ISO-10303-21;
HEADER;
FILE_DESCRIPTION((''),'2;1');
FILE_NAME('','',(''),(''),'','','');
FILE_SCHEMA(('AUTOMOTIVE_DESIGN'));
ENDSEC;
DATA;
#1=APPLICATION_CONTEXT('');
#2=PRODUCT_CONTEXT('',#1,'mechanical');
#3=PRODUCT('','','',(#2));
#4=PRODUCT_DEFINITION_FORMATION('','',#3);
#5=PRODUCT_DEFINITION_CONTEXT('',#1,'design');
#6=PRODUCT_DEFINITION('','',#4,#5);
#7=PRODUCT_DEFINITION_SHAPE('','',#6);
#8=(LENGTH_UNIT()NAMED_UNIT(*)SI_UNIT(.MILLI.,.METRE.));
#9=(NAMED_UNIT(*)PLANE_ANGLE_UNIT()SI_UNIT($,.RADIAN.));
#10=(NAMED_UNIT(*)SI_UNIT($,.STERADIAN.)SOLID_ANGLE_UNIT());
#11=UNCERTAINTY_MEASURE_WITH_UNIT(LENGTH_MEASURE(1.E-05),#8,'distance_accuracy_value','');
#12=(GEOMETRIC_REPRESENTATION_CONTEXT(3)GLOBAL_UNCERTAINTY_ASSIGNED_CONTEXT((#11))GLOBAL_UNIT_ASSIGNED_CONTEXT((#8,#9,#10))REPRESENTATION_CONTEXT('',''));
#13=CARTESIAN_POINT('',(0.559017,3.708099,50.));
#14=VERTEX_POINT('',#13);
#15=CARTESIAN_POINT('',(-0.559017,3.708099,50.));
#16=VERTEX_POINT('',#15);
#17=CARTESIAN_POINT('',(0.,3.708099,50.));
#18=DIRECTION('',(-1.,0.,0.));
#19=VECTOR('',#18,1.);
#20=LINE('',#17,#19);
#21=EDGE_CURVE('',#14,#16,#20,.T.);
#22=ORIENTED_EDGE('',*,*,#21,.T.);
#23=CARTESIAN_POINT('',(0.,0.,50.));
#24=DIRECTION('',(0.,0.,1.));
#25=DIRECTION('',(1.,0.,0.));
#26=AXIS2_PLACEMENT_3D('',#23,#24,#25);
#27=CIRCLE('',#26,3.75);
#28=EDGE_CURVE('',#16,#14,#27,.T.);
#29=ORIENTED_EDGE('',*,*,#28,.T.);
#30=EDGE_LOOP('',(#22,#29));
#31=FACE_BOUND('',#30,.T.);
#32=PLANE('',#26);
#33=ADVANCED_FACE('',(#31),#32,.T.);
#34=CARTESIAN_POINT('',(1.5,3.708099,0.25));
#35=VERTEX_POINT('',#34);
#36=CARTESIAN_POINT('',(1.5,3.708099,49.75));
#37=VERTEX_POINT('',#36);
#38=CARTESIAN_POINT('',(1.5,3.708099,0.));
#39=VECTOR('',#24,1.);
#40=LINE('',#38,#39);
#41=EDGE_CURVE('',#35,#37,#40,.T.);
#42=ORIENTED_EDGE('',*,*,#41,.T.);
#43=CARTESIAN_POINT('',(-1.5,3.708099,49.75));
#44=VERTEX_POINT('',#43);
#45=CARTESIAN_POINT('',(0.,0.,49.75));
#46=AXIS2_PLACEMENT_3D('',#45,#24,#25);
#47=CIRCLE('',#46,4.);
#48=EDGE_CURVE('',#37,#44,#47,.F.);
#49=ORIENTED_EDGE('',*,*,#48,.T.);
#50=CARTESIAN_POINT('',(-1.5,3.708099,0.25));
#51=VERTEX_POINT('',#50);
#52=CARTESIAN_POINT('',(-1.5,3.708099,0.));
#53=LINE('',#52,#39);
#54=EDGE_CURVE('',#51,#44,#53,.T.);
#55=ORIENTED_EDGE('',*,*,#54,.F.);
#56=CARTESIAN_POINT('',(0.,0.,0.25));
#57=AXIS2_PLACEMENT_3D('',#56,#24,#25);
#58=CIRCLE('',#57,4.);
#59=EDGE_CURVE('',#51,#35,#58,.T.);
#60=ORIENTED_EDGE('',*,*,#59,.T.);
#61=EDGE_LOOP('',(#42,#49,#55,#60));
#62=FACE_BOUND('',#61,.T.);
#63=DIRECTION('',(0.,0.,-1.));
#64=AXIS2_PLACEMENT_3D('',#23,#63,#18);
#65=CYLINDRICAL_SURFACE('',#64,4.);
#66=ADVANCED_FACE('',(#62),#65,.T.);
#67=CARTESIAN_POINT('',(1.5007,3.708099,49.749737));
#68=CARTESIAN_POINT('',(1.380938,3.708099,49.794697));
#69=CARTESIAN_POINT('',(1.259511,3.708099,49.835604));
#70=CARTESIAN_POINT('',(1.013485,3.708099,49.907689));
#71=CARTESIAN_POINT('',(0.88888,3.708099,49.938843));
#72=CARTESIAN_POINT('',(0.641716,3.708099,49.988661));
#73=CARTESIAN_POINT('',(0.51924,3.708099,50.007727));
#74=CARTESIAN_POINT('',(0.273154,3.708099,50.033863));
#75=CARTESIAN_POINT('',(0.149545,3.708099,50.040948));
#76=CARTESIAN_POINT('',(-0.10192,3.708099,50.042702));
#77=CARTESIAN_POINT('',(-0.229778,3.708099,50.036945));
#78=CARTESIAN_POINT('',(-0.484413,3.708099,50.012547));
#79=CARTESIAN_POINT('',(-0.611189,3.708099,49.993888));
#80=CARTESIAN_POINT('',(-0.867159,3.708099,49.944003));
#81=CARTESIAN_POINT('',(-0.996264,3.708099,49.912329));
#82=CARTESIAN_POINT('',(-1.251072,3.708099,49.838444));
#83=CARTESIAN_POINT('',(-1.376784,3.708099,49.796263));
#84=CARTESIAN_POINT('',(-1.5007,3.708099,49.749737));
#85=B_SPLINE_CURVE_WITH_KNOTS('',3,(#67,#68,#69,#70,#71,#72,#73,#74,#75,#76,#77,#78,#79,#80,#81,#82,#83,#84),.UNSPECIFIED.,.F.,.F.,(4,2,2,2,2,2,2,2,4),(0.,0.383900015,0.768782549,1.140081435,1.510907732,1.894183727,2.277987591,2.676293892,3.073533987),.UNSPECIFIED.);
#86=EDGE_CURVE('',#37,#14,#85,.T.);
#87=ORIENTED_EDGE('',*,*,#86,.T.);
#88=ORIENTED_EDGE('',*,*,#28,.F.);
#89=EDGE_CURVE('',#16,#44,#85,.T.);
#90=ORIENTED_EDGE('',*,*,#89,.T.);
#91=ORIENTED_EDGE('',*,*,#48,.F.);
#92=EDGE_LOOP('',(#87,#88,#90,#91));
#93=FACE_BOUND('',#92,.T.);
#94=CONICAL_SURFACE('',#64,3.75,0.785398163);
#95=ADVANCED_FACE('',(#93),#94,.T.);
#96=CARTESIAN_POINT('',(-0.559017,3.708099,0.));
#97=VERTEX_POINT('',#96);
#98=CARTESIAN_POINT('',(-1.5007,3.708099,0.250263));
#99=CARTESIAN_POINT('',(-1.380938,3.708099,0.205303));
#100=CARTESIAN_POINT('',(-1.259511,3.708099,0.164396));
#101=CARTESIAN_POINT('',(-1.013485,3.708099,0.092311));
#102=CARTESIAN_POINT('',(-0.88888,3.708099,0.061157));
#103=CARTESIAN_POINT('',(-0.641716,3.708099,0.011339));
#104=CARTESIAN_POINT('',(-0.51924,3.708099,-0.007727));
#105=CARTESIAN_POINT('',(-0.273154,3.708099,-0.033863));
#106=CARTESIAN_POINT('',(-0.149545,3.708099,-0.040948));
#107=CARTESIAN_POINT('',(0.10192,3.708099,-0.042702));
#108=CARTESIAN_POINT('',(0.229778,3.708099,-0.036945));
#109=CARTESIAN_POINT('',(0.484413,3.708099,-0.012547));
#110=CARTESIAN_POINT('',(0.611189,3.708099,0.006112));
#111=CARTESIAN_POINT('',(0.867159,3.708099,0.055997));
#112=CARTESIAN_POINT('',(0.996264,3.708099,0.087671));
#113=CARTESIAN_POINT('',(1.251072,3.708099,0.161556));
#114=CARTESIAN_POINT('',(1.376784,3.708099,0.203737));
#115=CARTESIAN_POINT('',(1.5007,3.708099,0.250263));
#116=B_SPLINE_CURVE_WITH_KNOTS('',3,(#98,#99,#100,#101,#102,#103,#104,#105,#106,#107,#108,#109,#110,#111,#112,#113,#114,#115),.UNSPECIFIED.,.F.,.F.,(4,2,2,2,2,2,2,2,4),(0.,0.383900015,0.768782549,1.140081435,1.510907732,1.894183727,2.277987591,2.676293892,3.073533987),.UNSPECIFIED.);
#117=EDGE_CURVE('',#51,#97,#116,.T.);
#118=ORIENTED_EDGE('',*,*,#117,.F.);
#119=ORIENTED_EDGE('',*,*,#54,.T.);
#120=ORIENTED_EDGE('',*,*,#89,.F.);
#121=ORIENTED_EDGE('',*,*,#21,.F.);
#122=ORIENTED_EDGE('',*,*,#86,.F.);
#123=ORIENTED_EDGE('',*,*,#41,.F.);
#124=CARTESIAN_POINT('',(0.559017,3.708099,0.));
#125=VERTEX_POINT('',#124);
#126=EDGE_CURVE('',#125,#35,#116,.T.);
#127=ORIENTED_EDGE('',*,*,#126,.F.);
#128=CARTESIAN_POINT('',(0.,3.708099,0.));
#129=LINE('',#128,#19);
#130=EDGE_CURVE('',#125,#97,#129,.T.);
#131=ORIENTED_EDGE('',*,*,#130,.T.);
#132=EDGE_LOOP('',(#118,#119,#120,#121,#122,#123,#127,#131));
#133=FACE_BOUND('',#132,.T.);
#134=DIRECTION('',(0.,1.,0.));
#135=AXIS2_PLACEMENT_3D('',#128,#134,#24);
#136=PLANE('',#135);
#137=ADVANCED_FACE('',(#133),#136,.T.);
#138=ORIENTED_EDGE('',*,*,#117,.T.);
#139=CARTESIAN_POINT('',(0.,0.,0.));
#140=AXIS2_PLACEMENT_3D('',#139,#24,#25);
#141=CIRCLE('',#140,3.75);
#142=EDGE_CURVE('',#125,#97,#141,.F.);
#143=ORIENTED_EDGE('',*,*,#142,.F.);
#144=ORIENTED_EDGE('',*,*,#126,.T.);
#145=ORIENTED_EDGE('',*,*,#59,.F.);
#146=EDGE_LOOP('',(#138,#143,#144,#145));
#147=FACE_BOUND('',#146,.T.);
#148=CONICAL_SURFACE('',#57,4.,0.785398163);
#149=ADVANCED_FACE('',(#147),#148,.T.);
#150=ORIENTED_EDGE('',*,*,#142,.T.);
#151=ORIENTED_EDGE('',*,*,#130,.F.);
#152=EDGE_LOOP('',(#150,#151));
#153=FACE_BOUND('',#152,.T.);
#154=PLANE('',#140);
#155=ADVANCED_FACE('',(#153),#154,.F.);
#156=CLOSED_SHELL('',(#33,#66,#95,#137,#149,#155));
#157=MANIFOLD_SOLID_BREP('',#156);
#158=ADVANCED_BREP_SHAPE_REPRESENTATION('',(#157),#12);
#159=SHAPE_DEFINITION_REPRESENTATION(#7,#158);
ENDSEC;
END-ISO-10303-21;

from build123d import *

# Parameters (mm, degrees)
SKETCH1_R           = 4
BOSS_EXTRUDE1_DEPTH = 50
CHAMFER1_SIZE       = 0.25
CHAMFER2_SIZE       = 0.25
CUT_EXTRUDE2_DEPTH  = 51.318982502


with BuildPart() as part:
    # Sketch1 → Boss-Extrude1 (new body)
    with BuildSketch(Plane.XY):
        Circle(SKETCH1_R)
    extrude(amount=BOSS_EXTRUDE1_DEPTH)

    # Chamfer1
    chamfer1_edges = [part.edges().sort_by_distance(p)[0] for p in [
        (-4, 0, 50),
    ]]
    chamfer(chamfer1_edges, length=CHAMFER1_SIZE)

    # Chamfer2
    chamfer2_edges = [part.edges().sort_by_distance(p)[0] for p in [
        (-4, 0, 0),
    ]]
    chamfer(chamfer2_edges, length=CHAMFER2_SIZE)

    # Sketch4 → Cut-Extrude2 (cut, through all)
    with BuildSketch(Plane.XY.offset(50)):
        with BuildLine():
            Line((-1.5, 3.708099244), (1.5, 3.708099244))
            ThreePointArc((1.5, 3.708099244), (0, 4), (-1.5, 3.708099244))
        make_face()
    extrude(amount=-CUT_EXTRUDE2_DEPTH, mode=Mode.SUBTRACT)


solid = part.part
